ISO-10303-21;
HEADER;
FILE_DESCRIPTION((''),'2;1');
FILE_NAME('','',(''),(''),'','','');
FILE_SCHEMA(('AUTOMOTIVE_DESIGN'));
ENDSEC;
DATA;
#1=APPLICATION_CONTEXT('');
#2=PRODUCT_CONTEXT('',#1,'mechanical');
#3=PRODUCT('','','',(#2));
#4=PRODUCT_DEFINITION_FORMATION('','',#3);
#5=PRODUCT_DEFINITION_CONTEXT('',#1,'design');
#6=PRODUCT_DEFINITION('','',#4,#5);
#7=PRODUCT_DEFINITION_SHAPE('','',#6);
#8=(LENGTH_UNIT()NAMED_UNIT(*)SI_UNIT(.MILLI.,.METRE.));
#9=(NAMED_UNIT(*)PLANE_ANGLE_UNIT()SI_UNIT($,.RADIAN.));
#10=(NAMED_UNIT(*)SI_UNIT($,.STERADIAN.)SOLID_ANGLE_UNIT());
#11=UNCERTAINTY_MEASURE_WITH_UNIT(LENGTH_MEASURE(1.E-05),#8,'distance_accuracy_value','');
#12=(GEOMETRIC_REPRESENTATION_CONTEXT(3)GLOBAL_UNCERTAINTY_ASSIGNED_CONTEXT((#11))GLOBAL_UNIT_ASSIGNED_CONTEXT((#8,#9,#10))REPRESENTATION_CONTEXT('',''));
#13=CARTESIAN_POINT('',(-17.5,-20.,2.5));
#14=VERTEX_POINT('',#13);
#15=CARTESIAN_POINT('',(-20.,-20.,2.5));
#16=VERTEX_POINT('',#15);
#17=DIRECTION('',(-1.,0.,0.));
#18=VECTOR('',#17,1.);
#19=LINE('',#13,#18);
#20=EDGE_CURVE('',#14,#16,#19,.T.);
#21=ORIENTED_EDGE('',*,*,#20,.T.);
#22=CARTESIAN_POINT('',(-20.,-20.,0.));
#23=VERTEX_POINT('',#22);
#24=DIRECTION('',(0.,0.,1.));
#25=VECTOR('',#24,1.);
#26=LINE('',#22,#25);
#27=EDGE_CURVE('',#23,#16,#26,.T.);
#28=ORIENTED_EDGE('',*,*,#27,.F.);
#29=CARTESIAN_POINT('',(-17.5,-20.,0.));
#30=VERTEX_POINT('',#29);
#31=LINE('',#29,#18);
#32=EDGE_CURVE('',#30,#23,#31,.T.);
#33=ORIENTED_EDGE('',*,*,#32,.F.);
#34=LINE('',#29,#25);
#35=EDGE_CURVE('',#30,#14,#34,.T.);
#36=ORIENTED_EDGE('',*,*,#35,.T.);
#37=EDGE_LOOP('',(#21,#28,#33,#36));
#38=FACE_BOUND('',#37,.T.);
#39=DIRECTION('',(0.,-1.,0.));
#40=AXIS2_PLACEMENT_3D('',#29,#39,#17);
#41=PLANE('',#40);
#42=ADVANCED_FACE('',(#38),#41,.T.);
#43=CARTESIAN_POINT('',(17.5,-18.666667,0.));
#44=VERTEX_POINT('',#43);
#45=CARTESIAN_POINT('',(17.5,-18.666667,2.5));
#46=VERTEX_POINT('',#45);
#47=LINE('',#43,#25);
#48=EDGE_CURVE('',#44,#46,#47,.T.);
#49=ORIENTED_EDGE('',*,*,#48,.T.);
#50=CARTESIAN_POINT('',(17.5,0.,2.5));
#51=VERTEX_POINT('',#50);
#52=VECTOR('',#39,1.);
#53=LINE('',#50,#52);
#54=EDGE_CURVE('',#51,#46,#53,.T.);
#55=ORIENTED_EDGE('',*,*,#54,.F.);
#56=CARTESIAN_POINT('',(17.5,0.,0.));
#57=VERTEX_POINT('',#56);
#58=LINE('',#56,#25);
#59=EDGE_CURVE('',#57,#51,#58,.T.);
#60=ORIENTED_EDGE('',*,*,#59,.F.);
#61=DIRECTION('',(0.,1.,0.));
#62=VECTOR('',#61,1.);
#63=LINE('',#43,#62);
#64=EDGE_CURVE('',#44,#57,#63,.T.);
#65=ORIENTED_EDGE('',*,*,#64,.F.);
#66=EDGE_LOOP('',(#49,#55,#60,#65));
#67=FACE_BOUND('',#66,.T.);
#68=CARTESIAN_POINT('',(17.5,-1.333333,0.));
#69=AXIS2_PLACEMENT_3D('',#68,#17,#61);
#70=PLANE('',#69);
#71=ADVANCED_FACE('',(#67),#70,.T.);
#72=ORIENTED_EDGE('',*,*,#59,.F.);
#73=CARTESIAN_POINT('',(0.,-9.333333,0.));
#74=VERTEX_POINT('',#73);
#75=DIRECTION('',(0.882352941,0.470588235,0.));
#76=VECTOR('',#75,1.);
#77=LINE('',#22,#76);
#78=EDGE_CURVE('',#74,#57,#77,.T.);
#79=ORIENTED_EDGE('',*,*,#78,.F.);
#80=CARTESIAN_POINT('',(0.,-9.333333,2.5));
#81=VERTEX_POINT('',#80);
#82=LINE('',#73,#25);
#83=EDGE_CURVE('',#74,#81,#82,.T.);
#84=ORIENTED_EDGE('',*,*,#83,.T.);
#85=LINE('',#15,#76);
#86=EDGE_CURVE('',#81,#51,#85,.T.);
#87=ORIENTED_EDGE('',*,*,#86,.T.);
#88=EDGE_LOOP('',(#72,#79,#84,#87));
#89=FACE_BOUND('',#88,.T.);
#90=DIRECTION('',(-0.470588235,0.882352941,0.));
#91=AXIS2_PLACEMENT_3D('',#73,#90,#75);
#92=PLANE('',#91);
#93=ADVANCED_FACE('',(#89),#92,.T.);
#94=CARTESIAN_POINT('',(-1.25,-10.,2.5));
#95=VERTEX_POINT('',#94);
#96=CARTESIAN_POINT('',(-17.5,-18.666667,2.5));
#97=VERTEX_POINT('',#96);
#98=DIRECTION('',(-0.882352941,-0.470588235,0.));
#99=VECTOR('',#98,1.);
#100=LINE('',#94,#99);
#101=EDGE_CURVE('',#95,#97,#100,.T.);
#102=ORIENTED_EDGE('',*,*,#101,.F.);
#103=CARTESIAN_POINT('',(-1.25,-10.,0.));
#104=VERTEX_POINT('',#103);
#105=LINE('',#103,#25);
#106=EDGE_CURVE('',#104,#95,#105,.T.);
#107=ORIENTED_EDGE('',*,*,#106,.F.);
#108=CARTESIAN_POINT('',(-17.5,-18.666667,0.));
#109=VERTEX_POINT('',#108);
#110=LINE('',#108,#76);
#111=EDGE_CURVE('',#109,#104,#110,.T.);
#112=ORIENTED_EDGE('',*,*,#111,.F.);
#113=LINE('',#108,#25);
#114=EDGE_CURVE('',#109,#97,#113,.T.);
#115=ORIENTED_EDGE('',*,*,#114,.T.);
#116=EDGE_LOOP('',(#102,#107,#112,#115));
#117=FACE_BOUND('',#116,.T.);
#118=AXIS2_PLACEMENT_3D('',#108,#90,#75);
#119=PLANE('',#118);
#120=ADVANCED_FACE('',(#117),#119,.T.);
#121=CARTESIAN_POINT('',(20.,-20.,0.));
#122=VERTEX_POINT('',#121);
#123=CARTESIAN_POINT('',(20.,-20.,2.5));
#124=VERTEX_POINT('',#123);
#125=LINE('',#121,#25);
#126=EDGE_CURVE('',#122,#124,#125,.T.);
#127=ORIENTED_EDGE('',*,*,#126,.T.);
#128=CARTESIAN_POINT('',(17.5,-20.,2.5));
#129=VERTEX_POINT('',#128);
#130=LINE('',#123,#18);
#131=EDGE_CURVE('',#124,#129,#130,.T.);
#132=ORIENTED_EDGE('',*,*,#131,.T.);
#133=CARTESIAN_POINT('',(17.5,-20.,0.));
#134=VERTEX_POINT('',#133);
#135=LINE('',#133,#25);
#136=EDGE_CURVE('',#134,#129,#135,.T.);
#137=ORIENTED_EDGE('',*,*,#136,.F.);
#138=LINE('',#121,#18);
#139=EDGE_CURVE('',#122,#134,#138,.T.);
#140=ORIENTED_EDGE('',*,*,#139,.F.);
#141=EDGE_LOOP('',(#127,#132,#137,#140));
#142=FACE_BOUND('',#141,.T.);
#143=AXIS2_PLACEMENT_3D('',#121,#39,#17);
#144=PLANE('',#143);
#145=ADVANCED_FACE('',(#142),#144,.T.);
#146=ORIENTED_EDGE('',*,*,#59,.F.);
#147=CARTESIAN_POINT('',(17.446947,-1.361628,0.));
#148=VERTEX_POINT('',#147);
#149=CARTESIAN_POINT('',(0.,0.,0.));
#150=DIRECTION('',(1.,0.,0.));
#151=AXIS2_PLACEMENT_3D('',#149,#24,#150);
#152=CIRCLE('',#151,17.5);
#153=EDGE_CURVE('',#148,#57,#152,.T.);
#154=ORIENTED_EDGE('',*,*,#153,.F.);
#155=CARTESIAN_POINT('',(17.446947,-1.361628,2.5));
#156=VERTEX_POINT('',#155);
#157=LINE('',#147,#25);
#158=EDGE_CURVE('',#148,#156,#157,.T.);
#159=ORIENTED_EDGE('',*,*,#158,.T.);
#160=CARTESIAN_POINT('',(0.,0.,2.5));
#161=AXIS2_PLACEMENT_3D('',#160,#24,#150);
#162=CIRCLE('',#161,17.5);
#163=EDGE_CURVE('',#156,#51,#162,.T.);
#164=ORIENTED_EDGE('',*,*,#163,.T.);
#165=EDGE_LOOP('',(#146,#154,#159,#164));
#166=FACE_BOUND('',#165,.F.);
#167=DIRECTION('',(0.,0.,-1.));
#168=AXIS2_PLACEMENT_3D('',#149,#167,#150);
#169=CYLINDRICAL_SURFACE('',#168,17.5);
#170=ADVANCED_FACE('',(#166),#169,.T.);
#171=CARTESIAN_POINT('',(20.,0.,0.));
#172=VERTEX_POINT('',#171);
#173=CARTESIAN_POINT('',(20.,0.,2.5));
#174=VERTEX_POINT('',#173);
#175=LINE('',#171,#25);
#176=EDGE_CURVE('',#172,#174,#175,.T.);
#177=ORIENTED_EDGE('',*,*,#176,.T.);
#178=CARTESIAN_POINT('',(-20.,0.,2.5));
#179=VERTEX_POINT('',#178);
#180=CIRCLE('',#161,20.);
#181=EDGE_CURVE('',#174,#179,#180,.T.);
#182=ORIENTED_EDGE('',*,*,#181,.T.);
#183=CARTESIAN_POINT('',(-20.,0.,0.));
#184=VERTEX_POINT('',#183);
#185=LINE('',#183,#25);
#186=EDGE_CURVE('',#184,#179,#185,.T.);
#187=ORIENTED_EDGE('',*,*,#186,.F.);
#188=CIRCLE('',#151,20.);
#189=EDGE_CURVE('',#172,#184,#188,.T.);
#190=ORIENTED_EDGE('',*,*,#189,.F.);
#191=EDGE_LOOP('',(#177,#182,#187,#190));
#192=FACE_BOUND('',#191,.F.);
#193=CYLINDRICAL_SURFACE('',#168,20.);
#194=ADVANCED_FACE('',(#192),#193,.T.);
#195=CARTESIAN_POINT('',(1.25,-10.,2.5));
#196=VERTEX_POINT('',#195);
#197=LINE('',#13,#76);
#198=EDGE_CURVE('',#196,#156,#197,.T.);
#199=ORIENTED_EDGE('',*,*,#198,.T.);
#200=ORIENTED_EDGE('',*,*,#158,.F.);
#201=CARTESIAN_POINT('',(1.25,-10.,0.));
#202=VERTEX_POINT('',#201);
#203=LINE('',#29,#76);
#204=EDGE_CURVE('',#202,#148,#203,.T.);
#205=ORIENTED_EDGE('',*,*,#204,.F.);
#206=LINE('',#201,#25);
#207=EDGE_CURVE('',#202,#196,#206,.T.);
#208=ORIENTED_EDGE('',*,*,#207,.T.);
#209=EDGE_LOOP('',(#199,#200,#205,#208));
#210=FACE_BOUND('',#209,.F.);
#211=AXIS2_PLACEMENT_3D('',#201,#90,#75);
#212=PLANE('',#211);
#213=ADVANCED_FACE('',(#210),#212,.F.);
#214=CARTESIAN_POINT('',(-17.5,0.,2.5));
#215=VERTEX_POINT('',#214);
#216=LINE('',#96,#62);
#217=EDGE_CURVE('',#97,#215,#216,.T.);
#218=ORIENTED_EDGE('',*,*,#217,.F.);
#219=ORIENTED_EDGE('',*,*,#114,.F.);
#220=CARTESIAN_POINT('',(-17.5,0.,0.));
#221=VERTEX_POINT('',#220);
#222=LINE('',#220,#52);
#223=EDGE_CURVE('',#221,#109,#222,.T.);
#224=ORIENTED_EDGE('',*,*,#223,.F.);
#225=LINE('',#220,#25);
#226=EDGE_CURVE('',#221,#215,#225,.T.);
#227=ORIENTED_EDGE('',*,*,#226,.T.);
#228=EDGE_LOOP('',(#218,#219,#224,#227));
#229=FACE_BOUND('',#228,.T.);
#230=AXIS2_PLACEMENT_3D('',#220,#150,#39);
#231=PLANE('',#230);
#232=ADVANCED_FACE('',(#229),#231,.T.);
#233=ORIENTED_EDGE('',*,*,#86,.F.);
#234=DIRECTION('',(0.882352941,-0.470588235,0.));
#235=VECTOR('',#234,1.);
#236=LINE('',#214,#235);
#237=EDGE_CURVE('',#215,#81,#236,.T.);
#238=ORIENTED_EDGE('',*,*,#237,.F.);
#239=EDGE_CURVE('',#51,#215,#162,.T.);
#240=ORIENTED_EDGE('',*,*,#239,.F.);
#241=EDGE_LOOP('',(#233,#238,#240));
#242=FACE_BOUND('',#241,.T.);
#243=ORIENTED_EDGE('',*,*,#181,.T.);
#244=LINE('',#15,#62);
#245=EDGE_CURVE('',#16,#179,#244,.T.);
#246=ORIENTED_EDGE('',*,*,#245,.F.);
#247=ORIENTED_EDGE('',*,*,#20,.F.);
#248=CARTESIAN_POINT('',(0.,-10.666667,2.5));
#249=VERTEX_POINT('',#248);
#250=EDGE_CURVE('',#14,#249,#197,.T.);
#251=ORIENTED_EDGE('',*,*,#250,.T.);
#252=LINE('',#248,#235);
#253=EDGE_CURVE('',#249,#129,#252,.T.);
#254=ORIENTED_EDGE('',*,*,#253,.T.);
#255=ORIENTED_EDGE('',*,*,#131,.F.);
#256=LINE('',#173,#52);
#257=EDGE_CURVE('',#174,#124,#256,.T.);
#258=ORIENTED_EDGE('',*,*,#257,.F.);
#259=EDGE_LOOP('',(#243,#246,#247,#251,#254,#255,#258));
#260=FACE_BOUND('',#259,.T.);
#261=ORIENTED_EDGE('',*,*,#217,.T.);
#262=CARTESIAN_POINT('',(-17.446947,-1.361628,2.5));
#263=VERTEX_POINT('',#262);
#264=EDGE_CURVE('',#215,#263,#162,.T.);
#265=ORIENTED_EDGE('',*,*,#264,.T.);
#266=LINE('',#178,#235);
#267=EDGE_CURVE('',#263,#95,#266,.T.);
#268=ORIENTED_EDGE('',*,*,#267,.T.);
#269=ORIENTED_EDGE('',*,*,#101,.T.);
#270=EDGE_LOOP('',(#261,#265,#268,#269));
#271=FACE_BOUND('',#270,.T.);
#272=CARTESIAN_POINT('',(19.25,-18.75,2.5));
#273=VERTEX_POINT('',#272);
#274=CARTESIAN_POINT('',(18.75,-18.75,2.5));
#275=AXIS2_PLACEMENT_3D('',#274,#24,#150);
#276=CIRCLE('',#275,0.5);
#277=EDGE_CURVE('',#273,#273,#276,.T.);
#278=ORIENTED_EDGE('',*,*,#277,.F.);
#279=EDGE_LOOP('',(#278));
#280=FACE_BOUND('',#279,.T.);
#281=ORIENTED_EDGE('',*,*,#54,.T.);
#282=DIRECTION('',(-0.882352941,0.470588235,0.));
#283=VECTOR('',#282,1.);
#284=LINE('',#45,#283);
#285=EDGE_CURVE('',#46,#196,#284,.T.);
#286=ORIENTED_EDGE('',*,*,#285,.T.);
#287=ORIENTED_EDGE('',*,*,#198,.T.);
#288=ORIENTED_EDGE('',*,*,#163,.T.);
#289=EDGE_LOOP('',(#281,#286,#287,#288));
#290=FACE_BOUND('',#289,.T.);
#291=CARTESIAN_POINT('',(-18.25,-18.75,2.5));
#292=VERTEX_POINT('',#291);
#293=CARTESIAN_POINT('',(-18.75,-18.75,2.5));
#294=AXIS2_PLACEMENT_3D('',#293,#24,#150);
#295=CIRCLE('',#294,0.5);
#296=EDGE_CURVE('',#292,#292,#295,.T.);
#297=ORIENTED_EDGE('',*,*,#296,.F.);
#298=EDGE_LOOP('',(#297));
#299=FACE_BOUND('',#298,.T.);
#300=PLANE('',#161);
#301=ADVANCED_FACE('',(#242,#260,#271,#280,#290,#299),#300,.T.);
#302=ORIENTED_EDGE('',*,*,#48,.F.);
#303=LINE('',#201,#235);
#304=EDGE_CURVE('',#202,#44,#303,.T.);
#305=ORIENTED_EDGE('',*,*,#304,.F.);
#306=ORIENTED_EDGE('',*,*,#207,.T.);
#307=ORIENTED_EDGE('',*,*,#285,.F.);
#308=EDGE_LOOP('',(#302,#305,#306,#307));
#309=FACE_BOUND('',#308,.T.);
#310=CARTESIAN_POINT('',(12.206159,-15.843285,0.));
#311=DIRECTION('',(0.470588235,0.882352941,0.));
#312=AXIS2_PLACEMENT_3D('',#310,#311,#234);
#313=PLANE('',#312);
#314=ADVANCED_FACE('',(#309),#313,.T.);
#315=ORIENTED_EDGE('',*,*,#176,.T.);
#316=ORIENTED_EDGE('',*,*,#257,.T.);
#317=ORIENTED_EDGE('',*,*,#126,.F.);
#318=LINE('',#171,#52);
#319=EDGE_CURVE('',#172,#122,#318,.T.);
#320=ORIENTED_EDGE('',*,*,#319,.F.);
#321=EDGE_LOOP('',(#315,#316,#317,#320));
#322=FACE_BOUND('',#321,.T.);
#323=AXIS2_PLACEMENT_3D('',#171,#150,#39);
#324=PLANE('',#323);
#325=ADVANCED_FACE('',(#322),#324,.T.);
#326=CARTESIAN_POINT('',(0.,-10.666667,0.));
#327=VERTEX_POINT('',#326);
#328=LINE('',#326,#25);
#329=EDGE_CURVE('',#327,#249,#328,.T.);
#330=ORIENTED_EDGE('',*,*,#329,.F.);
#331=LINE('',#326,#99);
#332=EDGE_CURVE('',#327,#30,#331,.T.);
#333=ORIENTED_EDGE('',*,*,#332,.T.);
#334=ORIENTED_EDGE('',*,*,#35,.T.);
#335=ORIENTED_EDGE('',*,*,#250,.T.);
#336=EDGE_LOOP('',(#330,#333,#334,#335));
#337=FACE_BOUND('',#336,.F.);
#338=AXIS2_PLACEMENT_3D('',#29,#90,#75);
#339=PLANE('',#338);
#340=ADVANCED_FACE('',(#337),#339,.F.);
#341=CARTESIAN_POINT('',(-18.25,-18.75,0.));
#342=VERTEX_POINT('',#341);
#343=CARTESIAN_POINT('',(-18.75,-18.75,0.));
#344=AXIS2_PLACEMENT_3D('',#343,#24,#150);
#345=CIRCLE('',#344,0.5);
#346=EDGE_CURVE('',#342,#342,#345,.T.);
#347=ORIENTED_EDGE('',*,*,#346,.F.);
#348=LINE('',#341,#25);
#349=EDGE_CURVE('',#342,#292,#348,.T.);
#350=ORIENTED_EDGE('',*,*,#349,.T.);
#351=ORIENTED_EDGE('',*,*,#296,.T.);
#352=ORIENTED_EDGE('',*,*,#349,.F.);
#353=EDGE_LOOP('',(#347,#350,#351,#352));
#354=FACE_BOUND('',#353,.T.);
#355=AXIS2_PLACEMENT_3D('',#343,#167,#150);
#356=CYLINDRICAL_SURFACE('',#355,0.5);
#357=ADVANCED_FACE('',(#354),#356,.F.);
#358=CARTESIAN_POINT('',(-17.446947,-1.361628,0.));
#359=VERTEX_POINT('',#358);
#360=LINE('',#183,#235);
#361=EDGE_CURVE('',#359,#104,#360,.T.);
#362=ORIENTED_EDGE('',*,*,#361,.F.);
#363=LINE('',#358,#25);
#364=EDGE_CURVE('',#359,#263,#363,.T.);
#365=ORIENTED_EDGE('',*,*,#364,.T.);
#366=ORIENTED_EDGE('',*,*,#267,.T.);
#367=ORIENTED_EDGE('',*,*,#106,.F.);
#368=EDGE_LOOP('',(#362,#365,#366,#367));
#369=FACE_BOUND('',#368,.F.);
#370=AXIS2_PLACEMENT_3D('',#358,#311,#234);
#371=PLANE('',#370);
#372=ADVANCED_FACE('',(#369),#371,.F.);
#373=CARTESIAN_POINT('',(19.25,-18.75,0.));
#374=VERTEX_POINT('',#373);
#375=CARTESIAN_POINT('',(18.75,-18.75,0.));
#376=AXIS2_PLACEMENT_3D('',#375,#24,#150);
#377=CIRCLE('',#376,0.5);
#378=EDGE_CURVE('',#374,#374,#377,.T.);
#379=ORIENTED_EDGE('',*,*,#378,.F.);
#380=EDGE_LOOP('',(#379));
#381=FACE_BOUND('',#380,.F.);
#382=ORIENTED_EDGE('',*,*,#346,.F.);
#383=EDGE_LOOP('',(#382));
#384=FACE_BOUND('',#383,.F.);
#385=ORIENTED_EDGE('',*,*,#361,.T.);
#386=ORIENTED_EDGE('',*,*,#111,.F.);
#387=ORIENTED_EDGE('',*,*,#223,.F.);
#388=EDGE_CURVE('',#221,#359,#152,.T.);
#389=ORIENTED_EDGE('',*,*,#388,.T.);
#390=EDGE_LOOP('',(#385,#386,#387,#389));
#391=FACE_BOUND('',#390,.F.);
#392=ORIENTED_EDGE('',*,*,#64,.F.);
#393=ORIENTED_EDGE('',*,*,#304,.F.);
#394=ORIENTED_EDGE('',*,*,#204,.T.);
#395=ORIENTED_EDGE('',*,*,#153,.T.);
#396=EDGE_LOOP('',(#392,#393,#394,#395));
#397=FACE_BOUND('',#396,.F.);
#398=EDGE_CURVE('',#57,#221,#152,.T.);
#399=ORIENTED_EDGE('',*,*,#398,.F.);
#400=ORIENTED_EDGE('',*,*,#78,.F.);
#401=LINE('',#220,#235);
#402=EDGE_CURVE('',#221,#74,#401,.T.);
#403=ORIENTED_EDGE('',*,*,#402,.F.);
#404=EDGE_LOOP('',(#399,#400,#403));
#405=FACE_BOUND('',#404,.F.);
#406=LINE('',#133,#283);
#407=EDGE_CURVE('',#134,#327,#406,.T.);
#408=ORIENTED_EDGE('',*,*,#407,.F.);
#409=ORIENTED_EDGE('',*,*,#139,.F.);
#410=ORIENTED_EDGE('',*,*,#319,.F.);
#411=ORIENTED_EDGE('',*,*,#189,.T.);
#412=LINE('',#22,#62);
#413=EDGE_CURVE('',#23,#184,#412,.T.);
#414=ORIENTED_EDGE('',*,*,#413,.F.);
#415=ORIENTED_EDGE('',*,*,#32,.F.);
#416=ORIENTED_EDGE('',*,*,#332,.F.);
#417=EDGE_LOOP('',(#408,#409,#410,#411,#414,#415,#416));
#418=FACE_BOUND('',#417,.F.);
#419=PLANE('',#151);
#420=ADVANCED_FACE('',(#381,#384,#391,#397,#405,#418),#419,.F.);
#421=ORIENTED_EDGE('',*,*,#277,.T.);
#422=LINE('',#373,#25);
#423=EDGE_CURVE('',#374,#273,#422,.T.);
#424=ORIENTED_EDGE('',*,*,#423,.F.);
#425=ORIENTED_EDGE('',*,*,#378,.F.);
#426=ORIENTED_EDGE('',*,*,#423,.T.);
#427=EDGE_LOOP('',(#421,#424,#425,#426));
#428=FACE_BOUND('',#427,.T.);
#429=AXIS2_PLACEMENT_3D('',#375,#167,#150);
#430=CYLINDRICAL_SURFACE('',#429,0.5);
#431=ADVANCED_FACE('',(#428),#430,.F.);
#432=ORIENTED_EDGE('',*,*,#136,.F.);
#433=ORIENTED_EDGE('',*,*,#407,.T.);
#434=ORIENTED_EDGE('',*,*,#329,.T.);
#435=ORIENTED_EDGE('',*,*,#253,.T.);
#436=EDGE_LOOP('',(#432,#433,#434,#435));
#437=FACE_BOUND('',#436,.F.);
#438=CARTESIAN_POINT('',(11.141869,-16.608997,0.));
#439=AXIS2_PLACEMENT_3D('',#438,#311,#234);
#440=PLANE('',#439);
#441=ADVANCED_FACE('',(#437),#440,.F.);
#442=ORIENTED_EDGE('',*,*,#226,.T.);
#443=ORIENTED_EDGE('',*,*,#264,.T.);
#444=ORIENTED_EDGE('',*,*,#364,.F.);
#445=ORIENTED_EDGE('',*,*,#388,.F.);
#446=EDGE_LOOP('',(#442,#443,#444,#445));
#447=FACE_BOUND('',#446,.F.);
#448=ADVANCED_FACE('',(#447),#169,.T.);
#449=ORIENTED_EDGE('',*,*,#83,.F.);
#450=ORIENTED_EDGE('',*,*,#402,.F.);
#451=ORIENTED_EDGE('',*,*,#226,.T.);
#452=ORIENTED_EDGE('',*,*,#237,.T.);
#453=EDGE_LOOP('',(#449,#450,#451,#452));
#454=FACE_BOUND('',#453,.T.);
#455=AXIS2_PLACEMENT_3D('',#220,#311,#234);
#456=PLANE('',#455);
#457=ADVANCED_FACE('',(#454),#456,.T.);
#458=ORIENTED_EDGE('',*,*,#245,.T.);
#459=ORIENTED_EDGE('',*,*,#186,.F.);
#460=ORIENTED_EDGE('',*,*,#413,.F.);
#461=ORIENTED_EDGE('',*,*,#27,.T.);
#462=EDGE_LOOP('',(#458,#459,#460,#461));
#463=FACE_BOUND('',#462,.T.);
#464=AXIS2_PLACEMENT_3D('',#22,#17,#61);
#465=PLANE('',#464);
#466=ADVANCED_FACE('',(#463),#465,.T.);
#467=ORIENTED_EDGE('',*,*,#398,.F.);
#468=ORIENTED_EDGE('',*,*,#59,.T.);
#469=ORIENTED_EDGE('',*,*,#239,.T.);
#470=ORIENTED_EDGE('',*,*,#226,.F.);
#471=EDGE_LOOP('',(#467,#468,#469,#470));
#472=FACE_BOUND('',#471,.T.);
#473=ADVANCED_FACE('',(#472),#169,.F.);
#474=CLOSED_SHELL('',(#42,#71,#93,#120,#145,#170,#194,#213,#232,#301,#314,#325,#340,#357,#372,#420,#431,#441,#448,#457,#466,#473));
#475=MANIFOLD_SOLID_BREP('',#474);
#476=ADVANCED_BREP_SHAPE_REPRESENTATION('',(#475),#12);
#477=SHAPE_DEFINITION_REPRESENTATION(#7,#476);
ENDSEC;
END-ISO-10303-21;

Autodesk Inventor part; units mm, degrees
ref_plane "YZ Plane" through (0, 0, 0) normal (1, 0, 0) x (0, 1, 0)
ref_plane "XZ Plane" through (0, 0, 0) normal (0, 1, 0) x (-1, 0, 0)
ref_plane "XY Plane" through (0, 0, 0) normal (0, 0, 1) x (1, 0, 0)
sketch "Szkic1" plane through (0, 0, 0) normal (0, 0, 1) x (1, 0, 0)
  circle A0 centre (0, 0) radius 20
  circle A1 centre (0, 0) radius 17.5
  line L0 (-20, 0) -> (-17.5, 0)
  line L1 (-17.5, 0) -> (-17.5, -20)
  line L2 (-17.5, -20) -> (-20, -20)
  line L3 (-20, -20) -> (-20, 0)
  line L4 (17.5, 0) -> (20, 0)
  line L5 (20, 0) -> (20, -20)
  line L6 (20, -20) -> (17.5, -20)
  line L7 (17.5, -20) -> (17.5, 0)
  circle A2 centre (-18.75, -18.75) radius 0.5
  circle A3 centre (18.75, -18.75) radius 0.5
  line L8 (-20, 0) -> (17.5, -20)
  line L9 (-17.5, 0) -> (20, -20)
  line L10 (-20, -20) -> (17.5, 0)
  line L11 (-17.5, -20) -> (20, 0)
  point P0 (17.5, -18.6667)
  point P1 (1.25, -10)
  point P2 (17.4469, -1.3616)
  point P3 (0, -9.3333)
  point P4 (-17.4469, -1.3616)
  point P5 (-1.25, -10)
  point P6 (-17.5, -18.6667)
  point P7 (0, -10.6667)
  dimension "d1" = 35
  dimension "d0" = 40
  dimension "d2" = 20
  dimension "d3" = 2.5
  dimension "d4" = 2.5
  dimension "d5" = 20
  dimension "d8" = 1
  dimension "d9" = 1.25
extrude "Wyciągnięcie proste3" add sketch "Szkic1" along normal blind 2.5 contours L4 A1 L0 A0 | L5 L9 L7 A0 | L11 L7 L4 | A0 L7 L11 | L8 L1 A0 | A0 L1 L10 L3 | L0 L1 L8 | A1 L11 L9 L10 | L6 L7 L9 | L9 L10 L8 A1 | L10 L1 L2 | L9 L7 L8 A0 | A0 L8 A1 L9 | L9 L11 L8 L10 | L10 A1 L11 A0 | A0 L11 L1 L10 | A1 L8 L11 L9 | L8 L11 A1 L10
properties part number "lapka"
